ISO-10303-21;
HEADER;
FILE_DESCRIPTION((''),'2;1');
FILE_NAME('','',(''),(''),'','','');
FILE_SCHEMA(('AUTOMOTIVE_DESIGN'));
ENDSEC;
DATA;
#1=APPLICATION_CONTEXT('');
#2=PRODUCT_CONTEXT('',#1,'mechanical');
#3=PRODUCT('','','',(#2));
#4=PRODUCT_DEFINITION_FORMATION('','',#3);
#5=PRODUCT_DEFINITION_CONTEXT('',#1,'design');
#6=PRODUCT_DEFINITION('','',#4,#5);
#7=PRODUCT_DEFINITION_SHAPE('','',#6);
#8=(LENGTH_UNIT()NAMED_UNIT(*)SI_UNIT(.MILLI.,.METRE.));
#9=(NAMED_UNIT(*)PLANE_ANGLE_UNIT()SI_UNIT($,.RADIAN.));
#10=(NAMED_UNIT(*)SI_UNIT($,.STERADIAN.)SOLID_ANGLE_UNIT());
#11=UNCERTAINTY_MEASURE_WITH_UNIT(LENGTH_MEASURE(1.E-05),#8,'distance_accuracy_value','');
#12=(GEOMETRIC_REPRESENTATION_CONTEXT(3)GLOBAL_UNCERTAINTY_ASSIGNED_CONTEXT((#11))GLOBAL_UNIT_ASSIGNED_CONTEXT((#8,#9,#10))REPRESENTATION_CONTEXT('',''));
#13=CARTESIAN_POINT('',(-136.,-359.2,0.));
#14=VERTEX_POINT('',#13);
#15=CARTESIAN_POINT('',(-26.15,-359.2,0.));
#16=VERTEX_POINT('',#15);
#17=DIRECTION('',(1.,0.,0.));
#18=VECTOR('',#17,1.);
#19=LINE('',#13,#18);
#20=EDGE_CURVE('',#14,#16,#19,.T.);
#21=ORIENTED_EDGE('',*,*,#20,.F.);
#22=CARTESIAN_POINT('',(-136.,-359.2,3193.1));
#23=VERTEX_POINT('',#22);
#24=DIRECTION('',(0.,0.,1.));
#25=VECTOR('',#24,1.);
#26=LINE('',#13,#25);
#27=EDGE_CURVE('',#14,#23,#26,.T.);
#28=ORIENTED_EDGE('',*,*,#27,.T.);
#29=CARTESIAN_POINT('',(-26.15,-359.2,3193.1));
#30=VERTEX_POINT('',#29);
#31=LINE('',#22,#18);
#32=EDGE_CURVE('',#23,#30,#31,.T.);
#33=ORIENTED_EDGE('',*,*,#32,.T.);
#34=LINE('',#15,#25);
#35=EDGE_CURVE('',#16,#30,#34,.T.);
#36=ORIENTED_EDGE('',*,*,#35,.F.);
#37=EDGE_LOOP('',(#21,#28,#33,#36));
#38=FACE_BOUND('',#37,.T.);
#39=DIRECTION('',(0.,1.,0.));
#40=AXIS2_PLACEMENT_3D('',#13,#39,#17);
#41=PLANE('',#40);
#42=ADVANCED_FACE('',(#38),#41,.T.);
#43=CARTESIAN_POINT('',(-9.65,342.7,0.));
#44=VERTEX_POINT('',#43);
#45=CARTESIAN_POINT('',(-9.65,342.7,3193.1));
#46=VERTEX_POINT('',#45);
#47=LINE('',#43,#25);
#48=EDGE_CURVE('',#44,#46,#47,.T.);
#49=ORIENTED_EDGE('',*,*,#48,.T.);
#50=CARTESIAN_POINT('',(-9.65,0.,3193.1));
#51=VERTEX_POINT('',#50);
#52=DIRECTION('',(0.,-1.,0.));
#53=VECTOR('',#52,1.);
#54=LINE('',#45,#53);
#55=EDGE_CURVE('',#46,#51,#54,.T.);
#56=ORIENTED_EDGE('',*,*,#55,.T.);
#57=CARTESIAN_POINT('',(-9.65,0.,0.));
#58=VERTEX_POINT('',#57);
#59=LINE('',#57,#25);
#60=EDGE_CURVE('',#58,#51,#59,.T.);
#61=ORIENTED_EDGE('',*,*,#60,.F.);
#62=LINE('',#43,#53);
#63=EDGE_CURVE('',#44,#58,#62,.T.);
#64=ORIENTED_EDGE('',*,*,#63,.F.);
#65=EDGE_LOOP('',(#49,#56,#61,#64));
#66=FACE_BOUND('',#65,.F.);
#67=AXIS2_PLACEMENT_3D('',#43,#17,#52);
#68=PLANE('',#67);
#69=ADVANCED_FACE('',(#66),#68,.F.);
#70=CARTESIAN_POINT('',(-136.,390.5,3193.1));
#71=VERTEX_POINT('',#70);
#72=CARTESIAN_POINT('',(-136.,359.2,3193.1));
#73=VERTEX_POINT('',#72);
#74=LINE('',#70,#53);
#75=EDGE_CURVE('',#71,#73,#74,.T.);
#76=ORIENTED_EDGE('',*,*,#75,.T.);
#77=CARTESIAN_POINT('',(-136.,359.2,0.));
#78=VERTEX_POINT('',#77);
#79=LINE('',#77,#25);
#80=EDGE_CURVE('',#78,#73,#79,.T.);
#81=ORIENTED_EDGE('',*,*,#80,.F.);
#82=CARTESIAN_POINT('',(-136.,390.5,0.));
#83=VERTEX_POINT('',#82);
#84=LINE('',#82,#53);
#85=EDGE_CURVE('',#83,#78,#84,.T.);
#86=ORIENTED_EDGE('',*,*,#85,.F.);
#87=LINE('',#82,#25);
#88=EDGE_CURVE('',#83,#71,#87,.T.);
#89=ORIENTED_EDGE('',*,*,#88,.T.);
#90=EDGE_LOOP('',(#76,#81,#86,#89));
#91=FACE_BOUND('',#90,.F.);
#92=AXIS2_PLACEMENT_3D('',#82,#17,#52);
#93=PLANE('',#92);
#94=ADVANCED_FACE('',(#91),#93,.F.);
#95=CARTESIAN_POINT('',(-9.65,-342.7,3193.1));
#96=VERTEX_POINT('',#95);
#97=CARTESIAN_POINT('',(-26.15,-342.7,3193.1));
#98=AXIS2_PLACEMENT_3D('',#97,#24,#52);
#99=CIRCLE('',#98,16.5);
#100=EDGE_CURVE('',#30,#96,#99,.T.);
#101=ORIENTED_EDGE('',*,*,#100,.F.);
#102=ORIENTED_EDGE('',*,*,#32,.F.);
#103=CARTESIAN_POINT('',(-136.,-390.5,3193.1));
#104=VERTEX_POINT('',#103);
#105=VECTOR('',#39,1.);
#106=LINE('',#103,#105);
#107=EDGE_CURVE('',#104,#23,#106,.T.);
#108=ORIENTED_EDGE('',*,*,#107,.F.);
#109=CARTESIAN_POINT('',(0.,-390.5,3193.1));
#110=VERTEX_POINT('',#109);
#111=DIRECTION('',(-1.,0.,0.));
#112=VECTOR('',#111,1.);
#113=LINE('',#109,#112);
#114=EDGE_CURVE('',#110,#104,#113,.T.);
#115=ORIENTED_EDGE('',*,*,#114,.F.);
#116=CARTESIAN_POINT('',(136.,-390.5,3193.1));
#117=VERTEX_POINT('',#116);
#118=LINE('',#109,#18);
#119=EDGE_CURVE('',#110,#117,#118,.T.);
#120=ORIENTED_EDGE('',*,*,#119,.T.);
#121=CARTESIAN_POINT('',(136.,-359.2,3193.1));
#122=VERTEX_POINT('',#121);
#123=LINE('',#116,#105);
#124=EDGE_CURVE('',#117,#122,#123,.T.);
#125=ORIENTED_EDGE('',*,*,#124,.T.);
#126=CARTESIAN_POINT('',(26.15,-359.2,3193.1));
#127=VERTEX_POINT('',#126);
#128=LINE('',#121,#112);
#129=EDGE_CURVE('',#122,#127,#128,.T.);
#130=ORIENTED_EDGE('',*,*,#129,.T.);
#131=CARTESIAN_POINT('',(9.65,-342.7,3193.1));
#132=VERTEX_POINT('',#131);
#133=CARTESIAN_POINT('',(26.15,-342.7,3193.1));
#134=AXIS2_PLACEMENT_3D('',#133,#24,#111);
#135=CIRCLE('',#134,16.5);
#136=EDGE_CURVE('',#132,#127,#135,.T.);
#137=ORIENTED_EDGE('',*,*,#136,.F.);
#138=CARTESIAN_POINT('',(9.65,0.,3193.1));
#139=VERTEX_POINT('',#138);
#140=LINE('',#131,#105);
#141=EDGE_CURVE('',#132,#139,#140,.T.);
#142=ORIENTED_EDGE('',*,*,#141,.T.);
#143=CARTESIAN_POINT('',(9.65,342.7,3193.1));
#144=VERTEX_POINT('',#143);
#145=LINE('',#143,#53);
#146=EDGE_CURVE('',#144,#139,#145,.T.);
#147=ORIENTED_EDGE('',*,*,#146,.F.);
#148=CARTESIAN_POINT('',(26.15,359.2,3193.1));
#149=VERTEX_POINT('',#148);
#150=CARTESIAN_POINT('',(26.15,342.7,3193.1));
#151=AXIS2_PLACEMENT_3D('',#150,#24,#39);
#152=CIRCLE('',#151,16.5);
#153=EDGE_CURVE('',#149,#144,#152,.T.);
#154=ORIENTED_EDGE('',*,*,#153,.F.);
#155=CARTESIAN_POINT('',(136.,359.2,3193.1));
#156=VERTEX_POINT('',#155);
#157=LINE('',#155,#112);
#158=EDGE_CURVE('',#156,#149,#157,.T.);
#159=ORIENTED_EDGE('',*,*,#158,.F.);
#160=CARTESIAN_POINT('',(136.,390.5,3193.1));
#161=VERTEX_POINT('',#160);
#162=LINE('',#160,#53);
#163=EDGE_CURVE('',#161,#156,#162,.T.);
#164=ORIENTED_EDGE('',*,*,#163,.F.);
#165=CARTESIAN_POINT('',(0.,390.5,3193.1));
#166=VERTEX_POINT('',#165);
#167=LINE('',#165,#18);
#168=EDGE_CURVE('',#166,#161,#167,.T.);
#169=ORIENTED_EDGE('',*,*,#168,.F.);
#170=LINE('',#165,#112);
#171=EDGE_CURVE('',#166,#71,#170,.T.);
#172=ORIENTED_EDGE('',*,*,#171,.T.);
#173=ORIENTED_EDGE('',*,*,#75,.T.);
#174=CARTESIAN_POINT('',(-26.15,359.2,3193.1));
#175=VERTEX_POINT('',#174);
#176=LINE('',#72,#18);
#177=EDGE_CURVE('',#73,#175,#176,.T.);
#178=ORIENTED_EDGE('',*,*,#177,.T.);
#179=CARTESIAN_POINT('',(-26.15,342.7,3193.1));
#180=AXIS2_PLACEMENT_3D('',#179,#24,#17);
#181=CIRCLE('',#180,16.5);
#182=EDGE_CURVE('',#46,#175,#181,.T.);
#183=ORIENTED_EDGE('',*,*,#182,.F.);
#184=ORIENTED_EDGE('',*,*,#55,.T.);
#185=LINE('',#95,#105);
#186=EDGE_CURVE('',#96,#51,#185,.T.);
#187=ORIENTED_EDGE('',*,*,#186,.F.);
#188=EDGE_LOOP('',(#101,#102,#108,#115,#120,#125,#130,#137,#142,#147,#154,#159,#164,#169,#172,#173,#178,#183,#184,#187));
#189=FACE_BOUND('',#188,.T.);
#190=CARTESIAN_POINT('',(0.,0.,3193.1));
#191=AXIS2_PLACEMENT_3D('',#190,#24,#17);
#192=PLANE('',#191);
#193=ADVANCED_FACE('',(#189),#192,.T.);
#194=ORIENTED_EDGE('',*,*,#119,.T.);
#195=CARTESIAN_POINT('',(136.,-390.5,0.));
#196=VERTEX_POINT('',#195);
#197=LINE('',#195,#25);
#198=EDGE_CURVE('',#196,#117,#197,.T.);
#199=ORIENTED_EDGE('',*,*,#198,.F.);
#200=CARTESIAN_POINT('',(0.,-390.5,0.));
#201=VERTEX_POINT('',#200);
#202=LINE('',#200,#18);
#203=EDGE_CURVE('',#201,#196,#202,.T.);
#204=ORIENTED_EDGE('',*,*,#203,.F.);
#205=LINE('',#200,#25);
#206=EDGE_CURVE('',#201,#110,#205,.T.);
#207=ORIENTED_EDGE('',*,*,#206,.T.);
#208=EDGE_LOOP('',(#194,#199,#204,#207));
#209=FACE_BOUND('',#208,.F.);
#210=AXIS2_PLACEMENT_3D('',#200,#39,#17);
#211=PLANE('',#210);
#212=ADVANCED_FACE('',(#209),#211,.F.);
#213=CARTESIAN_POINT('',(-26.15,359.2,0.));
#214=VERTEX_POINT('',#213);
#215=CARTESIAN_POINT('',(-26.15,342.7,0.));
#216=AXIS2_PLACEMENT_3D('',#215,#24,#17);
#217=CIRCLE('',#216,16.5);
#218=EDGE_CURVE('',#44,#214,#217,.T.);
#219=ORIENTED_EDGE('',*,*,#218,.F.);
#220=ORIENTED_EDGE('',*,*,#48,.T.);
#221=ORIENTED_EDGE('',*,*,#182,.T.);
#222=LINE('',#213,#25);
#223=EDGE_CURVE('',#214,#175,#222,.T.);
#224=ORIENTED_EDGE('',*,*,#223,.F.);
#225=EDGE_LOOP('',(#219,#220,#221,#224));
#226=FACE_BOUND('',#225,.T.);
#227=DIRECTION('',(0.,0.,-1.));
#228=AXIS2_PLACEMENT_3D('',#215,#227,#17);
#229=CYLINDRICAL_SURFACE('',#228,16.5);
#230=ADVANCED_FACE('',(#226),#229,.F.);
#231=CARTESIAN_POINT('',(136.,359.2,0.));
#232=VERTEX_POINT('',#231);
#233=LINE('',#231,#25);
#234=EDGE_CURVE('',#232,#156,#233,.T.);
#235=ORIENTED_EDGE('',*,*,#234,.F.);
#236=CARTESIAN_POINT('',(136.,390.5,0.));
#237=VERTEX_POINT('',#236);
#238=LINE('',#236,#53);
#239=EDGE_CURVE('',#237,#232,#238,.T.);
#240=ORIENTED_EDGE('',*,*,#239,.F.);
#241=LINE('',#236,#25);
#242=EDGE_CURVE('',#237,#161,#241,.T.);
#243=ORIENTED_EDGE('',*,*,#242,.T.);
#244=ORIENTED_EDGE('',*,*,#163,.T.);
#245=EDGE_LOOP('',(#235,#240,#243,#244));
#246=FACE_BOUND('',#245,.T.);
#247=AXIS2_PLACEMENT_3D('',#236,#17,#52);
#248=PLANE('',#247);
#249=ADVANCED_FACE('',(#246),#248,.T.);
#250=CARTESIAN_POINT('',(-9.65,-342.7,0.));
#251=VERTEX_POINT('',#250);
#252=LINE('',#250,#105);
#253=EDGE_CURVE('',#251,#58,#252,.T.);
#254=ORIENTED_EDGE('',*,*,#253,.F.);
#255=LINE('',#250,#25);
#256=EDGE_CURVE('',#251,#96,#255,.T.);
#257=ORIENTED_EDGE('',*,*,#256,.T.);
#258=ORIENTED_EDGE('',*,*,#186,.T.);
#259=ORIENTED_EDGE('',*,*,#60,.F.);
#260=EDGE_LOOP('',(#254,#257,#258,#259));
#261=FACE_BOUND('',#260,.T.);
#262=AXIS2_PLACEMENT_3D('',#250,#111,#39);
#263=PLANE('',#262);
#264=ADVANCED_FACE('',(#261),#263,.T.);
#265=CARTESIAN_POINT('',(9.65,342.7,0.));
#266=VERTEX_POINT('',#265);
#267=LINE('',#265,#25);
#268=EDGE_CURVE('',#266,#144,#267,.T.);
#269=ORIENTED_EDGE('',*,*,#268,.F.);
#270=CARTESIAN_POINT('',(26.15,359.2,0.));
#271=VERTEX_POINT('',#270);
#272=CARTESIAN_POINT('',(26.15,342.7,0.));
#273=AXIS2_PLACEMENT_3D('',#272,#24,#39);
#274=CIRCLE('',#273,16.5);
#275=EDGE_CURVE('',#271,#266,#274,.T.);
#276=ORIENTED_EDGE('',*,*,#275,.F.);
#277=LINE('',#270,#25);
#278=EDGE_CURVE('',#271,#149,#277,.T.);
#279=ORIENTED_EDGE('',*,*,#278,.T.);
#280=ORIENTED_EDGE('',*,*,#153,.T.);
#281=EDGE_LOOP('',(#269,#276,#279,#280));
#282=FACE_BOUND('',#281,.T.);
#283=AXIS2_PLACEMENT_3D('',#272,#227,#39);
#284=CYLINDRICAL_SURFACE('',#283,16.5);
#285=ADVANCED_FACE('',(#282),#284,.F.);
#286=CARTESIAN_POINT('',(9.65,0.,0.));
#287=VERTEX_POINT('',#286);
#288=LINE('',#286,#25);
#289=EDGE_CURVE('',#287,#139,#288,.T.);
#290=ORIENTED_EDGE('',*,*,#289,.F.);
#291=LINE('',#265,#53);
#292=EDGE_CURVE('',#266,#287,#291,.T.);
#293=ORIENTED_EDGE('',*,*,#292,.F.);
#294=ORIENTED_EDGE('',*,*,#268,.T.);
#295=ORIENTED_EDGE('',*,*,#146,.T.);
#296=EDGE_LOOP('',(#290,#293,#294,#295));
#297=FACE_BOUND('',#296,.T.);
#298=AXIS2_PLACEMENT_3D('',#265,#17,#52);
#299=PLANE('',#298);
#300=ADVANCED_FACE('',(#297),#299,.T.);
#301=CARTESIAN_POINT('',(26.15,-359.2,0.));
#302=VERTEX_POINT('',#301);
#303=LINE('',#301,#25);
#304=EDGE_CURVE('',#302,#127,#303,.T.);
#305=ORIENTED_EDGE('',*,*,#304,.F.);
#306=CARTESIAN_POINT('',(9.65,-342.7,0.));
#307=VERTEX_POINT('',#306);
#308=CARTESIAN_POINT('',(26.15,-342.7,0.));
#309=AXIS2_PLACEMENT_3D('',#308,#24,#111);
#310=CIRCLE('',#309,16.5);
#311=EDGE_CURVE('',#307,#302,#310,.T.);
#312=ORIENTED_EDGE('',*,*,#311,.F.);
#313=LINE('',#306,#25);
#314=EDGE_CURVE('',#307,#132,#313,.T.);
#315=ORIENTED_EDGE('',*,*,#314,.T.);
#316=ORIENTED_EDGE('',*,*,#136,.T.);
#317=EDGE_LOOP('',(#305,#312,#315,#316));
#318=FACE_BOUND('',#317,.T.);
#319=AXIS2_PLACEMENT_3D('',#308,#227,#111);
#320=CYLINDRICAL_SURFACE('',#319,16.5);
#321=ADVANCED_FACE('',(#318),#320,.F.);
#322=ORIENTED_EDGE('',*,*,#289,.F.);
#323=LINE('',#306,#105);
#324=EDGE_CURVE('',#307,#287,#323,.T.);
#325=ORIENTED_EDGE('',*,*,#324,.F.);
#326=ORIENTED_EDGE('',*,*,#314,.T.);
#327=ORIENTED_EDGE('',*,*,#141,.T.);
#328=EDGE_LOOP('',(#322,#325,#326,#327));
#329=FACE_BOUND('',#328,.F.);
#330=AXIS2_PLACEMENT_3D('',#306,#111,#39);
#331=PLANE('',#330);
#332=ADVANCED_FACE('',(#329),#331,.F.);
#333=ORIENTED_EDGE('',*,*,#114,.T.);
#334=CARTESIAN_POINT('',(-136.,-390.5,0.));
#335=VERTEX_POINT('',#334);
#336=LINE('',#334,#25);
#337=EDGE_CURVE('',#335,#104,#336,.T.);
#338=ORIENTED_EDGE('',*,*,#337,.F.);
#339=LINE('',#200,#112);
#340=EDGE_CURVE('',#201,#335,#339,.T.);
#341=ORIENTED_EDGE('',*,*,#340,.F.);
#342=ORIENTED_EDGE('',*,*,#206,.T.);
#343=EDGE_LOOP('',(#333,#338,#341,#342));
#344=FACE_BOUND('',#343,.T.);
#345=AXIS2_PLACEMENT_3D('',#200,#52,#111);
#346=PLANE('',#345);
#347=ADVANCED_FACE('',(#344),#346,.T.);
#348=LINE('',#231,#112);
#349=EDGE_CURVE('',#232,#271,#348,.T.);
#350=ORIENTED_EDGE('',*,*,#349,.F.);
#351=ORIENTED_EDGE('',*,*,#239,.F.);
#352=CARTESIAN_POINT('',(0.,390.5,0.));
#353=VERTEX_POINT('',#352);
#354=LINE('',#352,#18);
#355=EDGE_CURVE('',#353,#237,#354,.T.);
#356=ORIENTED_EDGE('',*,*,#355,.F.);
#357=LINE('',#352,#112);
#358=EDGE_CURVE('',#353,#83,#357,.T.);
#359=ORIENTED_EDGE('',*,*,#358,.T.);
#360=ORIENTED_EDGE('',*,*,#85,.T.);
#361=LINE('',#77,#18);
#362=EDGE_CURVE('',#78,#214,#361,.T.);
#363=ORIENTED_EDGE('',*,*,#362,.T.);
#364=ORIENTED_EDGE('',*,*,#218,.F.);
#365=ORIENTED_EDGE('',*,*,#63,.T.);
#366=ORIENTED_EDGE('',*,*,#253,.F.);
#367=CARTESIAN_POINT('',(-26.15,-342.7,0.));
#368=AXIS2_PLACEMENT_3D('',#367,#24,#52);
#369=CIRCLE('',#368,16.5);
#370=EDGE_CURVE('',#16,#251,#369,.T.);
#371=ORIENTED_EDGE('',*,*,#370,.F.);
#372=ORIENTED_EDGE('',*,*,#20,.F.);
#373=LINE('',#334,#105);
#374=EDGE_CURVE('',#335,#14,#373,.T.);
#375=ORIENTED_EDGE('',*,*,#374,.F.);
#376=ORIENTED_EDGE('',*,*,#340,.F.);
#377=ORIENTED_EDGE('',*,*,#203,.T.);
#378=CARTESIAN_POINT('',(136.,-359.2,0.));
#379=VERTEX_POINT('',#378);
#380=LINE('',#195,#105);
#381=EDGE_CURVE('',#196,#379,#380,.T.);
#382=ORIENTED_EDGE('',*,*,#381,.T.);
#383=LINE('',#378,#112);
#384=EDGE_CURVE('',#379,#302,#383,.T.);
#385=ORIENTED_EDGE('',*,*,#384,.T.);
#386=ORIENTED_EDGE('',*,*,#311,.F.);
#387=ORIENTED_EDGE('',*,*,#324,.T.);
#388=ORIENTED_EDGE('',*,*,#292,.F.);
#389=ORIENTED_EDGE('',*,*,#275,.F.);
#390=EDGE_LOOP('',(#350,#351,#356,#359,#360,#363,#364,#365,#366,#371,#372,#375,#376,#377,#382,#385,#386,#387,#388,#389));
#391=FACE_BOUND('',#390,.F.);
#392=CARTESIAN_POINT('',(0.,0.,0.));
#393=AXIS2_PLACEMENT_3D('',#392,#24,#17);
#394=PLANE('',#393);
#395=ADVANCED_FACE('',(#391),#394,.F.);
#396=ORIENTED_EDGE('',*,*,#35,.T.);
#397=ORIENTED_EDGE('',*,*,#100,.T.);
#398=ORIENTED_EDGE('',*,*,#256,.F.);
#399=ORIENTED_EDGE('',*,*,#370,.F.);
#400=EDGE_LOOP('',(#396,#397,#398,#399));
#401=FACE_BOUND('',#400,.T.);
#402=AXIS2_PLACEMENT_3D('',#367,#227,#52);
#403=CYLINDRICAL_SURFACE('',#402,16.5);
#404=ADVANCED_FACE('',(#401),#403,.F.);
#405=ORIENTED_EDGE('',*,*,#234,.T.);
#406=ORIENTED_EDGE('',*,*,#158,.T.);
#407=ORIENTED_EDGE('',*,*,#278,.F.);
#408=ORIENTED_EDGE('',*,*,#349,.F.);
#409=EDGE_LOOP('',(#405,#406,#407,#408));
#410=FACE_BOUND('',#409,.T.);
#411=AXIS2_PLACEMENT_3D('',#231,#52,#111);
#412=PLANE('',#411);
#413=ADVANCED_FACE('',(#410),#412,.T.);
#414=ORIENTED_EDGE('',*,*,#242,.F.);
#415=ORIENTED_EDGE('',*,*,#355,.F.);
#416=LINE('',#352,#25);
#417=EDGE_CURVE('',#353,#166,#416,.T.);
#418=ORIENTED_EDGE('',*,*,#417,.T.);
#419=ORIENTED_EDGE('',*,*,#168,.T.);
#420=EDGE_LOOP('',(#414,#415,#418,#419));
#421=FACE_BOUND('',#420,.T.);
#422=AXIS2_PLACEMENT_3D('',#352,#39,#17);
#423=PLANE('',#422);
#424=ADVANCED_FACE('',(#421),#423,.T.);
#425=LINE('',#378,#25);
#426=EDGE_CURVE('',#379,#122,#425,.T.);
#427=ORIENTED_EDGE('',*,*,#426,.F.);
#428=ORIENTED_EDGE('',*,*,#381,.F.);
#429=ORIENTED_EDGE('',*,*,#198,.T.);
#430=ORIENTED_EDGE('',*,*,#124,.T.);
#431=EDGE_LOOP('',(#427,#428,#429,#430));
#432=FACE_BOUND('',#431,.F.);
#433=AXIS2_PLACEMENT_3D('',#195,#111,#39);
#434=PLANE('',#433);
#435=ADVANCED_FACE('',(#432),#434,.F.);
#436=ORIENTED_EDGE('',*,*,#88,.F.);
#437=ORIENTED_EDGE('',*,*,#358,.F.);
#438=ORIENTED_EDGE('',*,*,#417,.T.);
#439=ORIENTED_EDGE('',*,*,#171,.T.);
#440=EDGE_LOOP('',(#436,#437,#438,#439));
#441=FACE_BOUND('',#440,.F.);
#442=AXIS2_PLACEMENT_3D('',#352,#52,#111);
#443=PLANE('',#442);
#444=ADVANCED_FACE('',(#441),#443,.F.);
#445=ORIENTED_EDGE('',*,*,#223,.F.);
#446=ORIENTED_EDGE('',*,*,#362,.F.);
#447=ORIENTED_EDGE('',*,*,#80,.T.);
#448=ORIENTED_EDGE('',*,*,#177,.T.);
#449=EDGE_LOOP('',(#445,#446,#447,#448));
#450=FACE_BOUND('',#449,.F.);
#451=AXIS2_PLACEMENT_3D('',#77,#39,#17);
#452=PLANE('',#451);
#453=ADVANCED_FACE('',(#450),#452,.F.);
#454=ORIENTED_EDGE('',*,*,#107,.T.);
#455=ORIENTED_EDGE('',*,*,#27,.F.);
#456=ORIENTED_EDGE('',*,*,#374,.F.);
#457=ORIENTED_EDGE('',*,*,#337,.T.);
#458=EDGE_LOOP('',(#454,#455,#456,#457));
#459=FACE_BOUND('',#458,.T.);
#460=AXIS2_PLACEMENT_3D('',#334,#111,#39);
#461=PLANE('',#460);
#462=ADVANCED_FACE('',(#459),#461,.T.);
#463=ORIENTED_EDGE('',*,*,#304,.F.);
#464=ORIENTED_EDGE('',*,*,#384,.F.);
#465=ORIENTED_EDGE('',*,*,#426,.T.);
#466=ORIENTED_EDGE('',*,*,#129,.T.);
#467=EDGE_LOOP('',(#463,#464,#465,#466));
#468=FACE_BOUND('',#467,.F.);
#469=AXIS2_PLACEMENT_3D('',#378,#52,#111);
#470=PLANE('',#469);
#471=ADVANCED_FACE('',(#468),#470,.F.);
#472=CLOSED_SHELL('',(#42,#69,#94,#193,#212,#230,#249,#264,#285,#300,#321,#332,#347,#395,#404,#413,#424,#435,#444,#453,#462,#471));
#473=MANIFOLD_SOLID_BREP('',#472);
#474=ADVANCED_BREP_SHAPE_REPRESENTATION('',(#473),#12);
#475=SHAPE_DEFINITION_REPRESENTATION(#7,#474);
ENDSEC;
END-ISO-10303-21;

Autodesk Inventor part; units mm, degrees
ref_plane "YZ Plane" through (0, 0, 0) normal (1, 0, 0) x (0, 1, 0)
ref_plane "Start plane" through (0, 0, 0) normal (0, 0, 1) x (1, 0, 0)
ref_plane "End plane" through (0, 0, 3193.1) normal (0, 0, 1) x (1, 0, 0)
sketch "Sketch" plane through (0, 0, 0) normal (0, 0, 1) x (1, 0, 0)
  line L0 (-136, -390.5) -> (-136, -359.2)
  line L1 (-136, -359.2) -> (-26.15, -359.2)
  line L2 (-9.65, -342.7) -> (-9.65, 0)
  line L3 (-9.65, 0) -> (0, 0) construction
  line L4 (0, 0) -> (0, -390.5) construction
  line L5 (0, -390.5) -> (-136, -390.5)
  line L6 (-60, 0) -> (80, 0) construction
  line L7 (0, -60) -> (0, 80) construction
  line L8 (136, -390.5) -> (136, -359.2)
  line L9 (136, -359.2) -> (26.15, -359.2)
  line L10 (9.65, -342.7) -> (9.65, 0)
  line L11 (9.65, 0) -> (0, 0) construction
  line L12 (0, -390.5) -> (136, -390.5)
  line L13 (-136, 390.5) -> (-136, 359.2)
  line L14 (-136, 359.2) -> (-26.15, 359.2)
  line L15 (-9.65, 342.7) -> (-9.65, 0)
  line L16 (0, 390.5) -> (-136, 390.5)
  line L17 (136, 390.5) -> (136, 359.2)
  line L18 (136, 359.2) -> (26.15, 359.2)
  line L19 (0, 390.5) -> (136, 390.5)
  line L20 (9.65, 342.7) -> (9.65, 0)
  arc A0 (-9.65, 342.7) -> (-26.15, 359.2) centre (-26.15, 342.7) ccw
  arc A1 (26.15, 359.2) -> (9.65, 342.7) centre (26.15, 342.7) ccw
  arc A2 (9.65, -342.7) -> (26.15, -359.2) centre (26.15, -342.7) ccw
  arc A3 (-26.15, -359.2) -> (-9.65, -342.7) centre (-26.15, -342.7) ccw
  line L21 (0, 108) -> (0, -88) construction
  line L22 (-88, 0) -> (108, 0) construction
  point P0 (-9.65, -359.2)
  point P1 (9.65, -359.2)
  point P2 (-9.65, 359.2)
  point P3 (9.65, 359.2)
  dimension "d1" = 390.5
  dimension "d2" = 31.3
  dimension "d3" = 136
  dimension "d4" = 9.65
  dimension "d10" = 16.5
extrude "Body" add sketch "Sketch" along normal up to surface (3193.1 mm away) from surface at 0
sketch "Sketch4" plane through (0, 0, 0) normal (0, 0, 1) x (1, 0, 0)
  line L0 (0, 0) -> (10, 0)
ref_plane "Work Plane3" through (0, 0, 0) normal (0, -1, 0) x (1, 0, 0)
sketch "Sketch5" plane through (0, 0, 0) normal (0, -1, 0) x (1, 0, 0)
  line L0 (-2, 0) -> (12, 0) projected
  line L1 (-2, 3193.1) -> (12, 3193.1) projected
  dimension "d14" = 3193.1
equation "\"d1\" = 0.5 * G_H"
equation "\"d2\" = G_T1"
equation "\"d3\" = 0.5 * G_W"
equation "\"d4\" = 0.5 * G_T"
equation "\"d10\" = G_IR"
equation "\"d5\" = G_L"
equation "\"G_W\" = 272"
equation "\"G_H\" = 781"
equation "\"G_T\" = 19.3"
equation "\"G_T1\" = 31.3"
equation "\"G_IR\" = 16.5"
equation "\"G_L\" = d14"
equation "\"G_OFFSET_START\" = 0"
equation "\"G_OFFSET_END\" = 0"
equation "\"d12\" = G_OFFSET_END + B_L"
equation "\"B_L\" = 3193.1"
properties part number "AS 3679-1990 - 760 UB - 244 - 3193.1" material "Steel, Mild"
